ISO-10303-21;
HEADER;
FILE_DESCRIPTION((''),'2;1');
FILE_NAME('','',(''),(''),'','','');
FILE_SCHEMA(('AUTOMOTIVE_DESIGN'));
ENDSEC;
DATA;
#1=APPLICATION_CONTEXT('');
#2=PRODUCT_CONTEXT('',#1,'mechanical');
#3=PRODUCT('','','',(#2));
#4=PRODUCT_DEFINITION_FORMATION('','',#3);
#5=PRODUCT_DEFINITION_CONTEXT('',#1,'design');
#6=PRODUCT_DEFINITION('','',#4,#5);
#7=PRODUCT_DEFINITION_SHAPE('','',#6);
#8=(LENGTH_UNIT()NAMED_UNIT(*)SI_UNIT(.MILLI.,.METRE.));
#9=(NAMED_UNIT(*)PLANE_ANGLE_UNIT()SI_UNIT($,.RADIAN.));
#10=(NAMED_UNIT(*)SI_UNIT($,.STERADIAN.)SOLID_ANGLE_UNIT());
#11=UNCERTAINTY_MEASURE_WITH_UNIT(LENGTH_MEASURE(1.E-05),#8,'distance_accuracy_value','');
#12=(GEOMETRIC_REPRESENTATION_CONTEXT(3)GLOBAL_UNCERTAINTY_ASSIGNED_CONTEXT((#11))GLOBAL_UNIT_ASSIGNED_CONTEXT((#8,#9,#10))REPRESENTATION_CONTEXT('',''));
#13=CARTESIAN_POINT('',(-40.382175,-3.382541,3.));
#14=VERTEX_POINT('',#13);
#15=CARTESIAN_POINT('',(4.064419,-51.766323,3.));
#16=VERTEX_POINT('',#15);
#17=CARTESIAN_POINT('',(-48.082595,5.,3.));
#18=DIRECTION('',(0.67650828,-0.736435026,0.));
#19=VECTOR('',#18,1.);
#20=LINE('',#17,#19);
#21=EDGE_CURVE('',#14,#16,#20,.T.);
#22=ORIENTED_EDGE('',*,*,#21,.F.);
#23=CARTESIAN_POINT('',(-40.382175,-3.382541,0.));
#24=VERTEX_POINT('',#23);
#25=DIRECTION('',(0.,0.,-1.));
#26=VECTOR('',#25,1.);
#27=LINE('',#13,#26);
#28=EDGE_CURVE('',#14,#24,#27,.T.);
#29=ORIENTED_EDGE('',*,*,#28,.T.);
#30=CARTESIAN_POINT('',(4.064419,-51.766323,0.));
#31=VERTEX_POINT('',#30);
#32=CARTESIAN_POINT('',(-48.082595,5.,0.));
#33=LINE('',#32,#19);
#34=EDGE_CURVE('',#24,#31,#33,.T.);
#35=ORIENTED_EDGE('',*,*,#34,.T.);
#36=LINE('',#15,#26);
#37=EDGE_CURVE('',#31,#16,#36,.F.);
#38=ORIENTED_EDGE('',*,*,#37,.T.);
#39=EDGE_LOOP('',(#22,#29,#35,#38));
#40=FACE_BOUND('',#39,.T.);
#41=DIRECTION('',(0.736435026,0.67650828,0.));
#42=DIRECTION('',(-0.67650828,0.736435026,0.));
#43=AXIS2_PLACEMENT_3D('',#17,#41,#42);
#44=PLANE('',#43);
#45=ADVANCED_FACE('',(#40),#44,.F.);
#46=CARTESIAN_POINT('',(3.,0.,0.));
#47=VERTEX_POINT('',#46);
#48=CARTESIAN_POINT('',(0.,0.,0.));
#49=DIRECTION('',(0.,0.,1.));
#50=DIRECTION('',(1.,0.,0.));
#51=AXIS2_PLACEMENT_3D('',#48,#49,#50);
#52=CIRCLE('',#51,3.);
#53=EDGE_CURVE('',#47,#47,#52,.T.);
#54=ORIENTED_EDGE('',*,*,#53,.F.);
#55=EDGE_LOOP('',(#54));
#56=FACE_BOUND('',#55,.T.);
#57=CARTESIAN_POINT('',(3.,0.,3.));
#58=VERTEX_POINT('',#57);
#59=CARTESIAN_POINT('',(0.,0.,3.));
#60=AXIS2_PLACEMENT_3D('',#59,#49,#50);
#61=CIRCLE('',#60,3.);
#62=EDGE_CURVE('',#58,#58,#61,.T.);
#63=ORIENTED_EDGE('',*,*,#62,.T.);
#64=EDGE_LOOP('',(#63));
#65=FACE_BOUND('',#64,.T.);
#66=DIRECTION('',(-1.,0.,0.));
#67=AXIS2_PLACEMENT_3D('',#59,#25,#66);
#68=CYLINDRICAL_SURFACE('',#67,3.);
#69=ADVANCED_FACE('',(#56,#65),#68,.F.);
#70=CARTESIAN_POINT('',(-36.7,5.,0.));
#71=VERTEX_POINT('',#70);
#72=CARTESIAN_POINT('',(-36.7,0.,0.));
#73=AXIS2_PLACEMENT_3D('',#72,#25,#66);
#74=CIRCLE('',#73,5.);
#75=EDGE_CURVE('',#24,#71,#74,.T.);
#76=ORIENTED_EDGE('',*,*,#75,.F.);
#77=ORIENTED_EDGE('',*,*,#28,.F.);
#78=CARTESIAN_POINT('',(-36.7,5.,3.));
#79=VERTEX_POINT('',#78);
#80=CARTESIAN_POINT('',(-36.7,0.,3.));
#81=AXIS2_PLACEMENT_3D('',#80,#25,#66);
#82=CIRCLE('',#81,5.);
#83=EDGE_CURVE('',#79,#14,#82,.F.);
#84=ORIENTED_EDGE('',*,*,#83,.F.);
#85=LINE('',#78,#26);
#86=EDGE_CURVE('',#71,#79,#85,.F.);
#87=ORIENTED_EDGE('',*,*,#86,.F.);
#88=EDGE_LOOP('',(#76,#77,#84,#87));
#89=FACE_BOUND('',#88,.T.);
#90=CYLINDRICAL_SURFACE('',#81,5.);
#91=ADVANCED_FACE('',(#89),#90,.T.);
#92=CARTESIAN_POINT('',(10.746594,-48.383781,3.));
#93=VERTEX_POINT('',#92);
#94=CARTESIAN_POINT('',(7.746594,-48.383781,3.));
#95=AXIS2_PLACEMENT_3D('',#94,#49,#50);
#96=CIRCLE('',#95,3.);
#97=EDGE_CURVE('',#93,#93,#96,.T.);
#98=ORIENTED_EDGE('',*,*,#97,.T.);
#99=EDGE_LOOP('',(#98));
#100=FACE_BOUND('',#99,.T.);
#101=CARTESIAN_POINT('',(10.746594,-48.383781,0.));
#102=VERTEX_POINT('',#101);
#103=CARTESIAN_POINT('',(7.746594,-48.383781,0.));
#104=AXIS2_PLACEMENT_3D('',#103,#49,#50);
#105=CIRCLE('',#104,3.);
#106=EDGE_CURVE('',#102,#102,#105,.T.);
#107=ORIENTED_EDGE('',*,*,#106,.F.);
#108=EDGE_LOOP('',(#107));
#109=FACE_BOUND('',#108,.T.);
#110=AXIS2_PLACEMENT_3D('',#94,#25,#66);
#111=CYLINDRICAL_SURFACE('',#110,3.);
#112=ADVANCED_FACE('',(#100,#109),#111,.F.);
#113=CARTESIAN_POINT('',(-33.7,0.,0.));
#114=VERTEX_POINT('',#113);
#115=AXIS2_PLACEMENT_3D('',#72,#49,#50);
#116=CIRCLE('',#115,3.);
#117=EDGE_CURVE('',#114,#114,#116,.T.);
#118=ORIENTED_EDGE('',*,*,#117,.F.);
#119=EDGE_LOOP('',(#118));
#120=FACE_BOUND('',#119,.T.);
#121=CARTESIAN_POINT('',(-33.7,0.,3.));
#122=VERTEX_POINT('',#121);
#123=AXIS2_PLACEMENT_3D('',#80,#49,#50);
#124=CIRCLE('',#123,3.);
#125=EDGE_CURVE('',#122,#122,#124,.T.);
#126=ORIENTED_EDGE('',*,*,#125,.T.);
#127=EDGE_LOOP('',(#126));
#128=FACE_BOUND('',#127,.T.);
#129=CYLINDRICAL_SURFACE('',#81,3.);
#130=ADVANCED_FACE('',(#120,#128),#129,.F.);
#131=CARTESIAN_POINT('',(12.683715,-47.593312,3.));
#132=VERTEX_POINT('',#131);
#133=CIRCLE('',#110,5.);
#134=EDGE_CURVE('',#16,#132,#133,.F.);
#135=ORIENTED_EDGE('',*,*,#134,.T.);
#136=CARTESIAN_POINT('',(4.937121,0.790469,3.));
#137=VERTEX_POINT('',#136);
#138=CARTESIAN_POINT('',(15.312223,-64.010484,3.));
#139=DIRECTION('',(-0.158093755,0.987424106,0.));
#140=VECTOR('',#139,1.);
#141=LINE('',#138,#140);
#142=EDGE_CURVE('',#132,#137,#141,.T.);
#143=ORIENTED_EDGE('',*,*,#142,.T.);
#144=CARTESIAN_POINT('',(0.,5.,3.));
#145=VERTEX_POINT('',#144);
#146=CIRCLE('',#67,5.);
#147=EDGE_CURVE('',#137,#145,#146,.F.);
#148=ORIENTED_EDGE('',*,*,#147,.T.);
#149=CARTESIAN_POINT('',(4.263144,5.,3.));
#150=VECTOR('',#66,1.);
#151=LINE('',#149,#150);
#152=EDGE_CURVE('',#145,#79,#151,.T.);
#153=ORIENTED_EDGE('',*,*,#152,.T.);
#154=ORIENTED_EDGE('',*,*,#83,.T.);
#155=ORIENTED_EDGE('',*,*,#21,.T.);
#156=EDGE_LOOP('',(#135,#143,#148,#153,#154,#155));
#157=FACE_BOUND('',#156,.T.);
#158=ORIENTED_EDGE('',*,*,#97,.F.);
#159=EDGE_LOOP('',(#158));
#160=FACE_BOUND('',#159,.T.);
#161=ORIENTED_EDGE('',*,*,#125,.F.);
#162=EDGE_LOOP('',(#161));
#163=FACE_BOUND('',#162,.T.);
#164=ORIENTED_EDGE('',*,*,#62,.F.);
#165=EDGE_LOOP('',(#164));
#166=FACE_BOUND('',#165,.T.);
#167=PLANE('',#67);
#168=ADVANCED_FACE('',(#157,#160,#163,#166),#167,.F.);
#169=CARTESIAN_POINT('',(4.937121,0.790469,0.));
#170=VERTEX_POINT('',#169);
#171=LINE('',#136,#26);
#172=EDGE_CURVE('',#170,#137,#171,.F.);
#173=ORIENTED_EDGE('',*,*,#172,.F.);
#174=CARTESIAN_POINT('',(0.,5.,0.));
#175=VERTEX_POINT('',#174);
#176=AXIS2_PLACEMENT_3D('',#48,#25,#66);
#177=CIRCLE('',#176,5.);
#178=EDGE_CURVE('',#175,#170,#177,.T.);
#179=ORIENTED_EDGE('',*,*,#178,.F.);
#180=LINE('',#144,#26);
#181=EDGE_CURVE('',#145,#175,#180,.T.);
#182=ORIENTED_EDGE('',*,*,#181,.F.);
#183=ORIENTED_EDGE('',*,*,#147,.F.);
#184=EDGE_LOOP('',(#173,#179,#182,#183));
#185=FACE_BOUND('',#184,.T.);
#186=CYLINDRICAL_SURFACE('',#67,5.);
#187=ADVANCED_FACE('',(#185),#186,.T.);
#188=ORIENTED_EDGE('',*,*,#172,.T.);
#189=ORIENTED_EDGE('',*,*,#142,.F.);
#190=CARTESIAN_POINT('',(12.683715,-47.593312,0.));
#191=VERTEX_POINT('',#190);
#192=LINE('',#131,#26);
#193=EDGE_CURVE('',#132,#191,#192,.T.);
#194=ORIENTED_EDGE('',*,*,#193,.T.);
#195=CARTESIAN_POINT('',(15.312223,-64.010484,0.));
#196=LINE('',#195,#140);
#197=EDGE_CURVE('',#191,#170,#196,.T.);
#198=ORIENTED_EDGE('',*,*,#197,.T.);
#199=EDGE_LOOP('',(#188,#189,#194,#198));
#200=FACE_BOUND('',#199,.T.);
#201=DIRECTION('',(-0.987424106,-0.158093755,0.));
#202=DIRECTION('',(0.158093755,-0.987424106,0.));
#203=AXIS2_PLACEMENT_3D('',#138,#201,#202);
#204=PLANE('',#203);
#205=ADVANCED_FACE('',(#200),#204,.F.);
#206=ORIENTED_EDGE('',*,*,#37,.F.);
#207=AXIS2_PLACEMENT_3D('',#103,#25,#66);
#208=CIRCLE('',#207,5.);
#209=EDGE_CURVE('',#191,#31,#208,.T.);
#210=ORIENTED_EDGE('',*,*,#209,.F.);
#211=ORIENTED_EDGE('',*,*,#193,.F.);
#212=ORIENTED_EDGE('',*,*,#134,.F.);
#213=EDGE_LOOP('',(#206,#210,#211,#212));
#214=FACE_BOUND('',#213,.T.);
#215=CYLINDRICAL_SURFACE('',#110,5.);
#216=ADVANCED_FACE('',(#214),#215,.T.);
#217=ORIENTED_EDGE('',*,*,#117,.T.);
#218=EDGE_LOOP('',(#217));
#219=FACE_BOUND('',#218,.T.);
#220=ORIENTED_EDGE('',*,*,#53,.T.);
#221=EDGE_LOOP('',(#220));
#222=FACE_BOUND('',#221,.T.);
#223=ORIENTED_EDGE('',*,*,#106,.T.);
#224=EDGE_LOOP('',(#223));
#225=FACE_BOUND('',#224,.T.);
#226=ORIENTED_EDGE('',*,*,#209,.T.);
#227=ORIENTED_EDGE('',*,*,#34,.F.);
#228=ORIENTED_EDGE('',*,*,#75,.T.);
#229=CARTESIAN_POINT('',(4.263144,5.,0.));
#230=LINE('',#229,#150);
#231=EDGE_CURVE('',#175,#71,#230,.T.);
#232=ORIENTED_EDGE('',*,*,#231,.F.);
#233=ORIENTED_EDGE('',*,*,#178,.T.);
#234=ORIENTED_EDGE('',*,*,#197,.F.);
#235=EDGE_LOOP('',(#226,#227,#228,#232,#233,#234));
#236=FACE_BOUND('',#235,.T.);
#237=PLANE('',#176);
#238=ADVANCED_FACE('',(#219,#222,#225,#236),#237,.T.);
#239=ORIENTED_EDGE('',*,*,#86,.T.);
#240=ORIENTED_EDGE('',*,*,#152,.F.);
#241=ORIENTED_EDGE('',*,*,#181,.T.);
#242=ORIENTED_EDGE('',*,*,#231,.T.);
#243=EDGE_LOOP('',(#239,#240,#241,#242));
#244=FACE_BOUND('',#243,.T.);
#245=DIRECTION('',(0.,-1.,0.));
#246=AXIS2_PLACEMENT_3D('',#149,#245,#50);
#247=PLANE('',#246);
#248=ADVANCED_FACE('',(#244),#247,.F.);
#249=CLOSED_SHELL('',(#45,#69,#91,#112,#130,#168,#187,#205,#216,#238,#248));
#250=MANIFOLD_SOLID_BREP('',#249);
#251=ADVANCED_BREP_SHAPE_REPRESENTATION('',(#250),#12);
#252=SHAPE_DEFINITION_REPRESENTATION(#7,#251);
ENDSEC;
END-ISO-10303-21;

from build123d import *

# Parameters (mm, degrees)
SKETCH_1_R      = 3
EXTRUDE_1_DEPTH = 3
FILLET_1_R      = 5


with BuildPart() as part:
    # ｽｹｯﾁ1 → ﾎﾞｽ - 押し出し1 (new body)
    with BuildSketch(Plane.XY):
        Polygon((-48.082594675, 5), (15.312222711, -64.010484178), (4.263144073, 5), align=None)
        with Locations((-36.7, 0)):
            Circle(SKETCH_1_R, mode=Mode.SUBTRACT)
        Circle(SKETCH_1_R, mode=Mode.SUBTRACT)
        with Locations((7.746594005, -48.38378118)):
            Circle(SKETCH_1_R, mode=Mode.SUBTRACT)
    extrude(amount=EXTRUDE_1_DEPTH)

    # ﾌｨﾚｯﾄ1
    fillet_1_edges = [part.edges().sort_by_distance(p)[0] for p in [
        (4.263144073, 5, 1.5),
        (15.312222711, -64.010484178, 1.5),
        (-48.082594675, 5, 1.5),
    ]]
    fillet(fillet_1_edges, radius=FILLET_1_R)


solid = part.part
